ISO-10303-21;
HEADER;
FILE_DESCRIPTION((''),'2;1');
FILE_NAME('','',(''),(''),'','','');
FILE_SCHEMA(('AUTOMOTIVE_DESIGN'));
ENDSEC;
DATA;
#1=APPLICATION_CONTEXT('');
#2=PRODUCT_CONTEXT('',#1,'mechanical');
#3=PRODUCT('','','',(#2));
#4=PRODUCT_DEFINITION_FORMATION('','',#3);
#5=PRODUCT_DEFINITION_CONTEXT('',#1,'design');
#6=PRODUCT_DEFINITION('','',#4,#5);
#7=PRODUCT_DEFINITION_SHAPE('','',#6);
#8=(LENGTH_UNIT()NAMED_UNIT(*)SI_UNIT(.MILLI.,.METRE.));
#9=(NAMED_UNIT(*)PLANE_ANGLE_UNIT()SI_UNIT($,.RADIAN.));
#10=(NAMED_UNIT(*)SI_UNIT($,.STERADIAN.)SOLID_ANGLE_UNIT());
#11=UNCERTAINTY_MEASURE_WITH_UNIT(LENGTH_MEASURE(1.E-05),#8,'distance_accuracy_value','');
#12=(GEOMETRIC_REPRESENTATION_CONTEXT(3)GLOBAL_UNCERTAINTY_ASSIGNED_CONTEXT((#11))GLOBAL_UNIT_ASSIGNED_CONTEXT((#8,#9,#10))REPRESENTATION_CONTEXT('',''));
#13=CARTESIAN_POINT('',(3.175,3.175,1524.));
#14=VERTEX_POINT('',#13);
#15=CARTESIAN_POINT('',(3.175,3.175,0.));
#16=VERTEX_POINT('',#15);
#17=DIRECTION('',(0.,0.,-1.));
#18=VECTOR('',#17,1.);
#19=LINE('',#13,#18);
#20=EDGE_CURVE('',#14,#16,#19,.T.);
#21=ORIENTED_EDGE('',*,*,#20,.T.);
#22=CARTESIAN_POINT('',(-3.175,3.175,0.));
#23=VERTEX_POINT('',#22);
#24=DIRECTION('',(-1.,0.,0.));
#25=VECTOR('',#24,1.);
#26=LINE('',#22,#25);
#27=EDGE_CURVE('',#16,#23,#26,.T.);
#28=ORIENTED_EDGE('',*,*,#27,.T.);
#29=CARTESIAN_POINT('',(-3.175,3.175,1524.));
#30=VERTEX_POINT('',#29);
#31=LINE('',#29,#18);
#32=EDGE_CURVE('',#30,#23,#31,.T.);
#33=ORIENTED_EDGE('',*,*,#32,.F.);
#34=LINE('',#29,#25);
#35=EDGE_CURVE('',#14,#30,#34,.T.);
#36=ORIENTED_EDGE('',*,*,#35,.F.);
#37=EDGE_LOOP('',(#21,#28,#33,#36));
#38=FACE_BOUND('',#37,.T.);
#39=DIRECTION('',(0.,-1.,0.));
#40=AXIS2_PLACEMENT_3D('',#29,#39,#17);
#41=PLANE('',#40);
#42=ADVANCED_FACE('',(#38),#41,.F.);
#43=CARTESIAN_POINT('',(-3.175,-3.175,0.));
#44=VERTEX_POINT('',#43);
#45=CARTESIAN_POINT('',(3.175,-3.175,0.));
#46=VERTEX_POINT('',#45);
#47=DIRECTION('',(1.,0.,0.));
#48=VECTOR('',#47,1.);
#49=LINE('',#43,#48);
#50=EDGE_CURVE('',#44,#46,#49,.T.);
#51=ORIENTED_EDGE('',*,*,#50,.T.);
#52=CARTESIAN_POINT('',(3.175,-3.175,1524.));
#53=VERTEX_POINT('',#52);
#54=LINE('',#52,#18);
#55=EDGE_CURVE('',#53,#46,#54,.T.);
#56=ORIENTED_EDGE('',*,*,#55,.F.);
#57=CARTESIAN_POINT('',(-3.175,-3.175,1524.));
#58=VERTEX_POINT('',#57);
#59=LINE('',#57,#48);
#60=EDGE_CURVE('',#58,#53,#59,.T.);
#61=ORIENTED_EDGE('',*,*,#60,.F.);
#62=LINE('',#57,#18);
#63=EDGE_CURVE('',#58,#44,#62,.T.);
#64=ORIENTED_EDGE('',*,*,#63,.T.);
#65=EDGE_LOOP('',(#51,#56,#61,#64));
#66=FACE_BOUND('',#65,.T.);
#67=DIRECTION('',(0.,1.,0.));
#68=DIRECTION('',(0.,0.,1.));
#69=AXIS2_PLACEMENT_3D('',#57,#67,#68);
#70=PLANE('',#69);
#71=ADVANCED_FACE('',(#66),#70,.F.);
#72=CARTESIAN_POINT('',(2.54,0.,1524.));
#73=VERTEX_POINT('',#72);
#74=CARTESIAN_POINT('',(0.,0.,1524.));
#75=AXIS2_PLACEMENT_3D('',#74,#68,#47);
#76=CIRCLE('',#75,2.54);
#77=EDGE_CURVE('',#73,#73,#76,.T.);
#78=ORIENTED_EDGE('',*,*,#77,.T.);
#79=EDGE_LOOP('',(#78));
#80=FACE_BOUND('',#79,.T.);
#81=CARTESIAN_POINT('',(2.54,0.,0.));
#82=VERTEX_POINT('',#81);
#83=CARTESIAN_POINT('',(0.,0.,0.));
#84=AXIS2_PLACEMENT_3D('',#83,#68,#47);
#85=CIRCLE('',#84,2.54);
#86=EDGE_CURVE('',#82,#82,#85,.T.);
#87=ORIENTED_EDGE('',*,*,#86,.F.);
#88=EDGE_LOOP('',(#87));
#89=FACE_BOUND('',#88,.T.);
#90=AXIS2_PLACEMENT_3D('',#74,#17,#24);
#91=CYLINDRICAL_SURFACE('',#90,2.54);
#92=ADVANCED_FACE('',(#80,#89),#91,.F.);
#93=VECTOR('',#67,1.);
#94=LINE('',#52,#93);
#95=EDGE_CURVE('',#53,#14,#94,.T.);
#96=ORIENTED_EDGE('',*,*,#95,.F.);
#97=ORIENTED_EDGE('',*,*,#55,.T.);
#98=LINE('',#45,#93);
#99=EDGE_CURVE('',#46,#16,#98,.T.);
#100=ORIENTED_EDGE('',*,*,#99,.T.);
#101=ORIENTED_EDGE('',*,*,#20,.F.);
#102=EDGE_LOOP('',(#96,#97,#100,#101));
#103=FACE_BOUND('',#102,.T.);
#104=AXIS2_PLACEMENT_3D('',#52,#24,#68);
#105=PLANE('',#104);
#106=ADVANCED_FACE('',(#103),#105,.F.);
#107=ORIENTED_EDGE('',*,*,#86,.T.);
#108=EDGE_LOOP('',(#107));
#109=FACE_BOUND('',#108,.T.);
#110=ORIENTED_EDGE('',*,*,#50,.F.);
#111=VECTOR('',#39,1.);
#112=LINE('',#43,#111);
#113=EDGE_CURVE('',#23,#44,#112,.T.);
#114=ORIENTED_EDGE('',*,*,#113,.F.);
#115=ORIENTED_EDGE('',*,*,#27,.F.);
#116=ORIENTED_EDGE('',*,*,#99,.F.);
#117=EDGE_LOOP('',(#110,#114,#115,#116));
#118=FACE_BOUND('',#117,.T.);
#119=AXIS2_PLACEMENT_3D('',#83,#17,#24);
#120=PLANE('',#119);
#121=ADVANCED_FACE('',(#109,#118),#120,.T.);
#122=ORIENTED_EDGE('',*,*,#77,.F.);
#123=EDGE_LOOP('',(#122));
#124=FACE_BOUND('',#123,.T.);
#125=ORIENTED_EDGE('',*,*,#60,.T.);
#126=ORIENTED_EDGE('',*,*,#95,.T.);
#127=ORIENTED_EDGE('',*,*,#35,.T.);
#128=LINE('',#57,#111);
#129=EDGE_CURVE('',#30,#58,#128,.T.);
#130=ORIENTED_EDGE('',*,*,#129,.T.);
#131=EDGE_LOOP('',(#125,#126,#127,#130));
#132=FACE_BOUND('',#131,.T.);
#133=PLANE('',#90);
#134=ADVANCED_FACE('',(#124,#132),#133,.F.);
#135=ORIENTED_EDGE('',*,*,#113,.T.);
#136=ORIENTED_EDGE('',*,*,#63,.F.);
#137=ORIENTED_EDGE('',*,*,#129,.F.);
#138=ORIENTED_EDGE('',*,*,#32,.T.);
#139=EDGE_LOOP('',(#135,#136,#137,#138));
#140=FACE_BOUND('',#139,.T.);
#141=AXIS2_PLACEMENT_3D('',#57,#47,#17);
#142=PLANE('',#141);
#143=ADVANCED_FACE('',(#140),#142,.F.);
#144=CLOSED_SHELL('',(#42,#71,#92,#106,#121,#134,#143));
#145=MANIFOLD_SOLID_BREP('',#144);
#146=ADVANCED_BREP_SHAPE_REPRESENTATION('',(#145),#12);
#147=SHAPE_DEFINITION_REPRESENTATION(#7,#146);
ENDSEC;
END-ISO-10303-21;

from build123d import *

# Parameters (mm, degrees)
SKETCH1_W           = 6.35
SKETCH1_H           = 6.35
SKETCH1_R           = 2.54
BOSS_EXTRUDE1_DEPTH = 1524


with BuildPart() as part:
    # Sketch1 → Boss-Extrude1 (new body)
    with BuildSketch(Plane.XY):
        Rectangle(SKETCH1_W, SKETCH1_H)
        Circle(SKETCH1_R, mode=Mode.SUBTRACT)
    extrude(amount=BOSS_EXTRUDE1_DEPTH)


solid = part.part
